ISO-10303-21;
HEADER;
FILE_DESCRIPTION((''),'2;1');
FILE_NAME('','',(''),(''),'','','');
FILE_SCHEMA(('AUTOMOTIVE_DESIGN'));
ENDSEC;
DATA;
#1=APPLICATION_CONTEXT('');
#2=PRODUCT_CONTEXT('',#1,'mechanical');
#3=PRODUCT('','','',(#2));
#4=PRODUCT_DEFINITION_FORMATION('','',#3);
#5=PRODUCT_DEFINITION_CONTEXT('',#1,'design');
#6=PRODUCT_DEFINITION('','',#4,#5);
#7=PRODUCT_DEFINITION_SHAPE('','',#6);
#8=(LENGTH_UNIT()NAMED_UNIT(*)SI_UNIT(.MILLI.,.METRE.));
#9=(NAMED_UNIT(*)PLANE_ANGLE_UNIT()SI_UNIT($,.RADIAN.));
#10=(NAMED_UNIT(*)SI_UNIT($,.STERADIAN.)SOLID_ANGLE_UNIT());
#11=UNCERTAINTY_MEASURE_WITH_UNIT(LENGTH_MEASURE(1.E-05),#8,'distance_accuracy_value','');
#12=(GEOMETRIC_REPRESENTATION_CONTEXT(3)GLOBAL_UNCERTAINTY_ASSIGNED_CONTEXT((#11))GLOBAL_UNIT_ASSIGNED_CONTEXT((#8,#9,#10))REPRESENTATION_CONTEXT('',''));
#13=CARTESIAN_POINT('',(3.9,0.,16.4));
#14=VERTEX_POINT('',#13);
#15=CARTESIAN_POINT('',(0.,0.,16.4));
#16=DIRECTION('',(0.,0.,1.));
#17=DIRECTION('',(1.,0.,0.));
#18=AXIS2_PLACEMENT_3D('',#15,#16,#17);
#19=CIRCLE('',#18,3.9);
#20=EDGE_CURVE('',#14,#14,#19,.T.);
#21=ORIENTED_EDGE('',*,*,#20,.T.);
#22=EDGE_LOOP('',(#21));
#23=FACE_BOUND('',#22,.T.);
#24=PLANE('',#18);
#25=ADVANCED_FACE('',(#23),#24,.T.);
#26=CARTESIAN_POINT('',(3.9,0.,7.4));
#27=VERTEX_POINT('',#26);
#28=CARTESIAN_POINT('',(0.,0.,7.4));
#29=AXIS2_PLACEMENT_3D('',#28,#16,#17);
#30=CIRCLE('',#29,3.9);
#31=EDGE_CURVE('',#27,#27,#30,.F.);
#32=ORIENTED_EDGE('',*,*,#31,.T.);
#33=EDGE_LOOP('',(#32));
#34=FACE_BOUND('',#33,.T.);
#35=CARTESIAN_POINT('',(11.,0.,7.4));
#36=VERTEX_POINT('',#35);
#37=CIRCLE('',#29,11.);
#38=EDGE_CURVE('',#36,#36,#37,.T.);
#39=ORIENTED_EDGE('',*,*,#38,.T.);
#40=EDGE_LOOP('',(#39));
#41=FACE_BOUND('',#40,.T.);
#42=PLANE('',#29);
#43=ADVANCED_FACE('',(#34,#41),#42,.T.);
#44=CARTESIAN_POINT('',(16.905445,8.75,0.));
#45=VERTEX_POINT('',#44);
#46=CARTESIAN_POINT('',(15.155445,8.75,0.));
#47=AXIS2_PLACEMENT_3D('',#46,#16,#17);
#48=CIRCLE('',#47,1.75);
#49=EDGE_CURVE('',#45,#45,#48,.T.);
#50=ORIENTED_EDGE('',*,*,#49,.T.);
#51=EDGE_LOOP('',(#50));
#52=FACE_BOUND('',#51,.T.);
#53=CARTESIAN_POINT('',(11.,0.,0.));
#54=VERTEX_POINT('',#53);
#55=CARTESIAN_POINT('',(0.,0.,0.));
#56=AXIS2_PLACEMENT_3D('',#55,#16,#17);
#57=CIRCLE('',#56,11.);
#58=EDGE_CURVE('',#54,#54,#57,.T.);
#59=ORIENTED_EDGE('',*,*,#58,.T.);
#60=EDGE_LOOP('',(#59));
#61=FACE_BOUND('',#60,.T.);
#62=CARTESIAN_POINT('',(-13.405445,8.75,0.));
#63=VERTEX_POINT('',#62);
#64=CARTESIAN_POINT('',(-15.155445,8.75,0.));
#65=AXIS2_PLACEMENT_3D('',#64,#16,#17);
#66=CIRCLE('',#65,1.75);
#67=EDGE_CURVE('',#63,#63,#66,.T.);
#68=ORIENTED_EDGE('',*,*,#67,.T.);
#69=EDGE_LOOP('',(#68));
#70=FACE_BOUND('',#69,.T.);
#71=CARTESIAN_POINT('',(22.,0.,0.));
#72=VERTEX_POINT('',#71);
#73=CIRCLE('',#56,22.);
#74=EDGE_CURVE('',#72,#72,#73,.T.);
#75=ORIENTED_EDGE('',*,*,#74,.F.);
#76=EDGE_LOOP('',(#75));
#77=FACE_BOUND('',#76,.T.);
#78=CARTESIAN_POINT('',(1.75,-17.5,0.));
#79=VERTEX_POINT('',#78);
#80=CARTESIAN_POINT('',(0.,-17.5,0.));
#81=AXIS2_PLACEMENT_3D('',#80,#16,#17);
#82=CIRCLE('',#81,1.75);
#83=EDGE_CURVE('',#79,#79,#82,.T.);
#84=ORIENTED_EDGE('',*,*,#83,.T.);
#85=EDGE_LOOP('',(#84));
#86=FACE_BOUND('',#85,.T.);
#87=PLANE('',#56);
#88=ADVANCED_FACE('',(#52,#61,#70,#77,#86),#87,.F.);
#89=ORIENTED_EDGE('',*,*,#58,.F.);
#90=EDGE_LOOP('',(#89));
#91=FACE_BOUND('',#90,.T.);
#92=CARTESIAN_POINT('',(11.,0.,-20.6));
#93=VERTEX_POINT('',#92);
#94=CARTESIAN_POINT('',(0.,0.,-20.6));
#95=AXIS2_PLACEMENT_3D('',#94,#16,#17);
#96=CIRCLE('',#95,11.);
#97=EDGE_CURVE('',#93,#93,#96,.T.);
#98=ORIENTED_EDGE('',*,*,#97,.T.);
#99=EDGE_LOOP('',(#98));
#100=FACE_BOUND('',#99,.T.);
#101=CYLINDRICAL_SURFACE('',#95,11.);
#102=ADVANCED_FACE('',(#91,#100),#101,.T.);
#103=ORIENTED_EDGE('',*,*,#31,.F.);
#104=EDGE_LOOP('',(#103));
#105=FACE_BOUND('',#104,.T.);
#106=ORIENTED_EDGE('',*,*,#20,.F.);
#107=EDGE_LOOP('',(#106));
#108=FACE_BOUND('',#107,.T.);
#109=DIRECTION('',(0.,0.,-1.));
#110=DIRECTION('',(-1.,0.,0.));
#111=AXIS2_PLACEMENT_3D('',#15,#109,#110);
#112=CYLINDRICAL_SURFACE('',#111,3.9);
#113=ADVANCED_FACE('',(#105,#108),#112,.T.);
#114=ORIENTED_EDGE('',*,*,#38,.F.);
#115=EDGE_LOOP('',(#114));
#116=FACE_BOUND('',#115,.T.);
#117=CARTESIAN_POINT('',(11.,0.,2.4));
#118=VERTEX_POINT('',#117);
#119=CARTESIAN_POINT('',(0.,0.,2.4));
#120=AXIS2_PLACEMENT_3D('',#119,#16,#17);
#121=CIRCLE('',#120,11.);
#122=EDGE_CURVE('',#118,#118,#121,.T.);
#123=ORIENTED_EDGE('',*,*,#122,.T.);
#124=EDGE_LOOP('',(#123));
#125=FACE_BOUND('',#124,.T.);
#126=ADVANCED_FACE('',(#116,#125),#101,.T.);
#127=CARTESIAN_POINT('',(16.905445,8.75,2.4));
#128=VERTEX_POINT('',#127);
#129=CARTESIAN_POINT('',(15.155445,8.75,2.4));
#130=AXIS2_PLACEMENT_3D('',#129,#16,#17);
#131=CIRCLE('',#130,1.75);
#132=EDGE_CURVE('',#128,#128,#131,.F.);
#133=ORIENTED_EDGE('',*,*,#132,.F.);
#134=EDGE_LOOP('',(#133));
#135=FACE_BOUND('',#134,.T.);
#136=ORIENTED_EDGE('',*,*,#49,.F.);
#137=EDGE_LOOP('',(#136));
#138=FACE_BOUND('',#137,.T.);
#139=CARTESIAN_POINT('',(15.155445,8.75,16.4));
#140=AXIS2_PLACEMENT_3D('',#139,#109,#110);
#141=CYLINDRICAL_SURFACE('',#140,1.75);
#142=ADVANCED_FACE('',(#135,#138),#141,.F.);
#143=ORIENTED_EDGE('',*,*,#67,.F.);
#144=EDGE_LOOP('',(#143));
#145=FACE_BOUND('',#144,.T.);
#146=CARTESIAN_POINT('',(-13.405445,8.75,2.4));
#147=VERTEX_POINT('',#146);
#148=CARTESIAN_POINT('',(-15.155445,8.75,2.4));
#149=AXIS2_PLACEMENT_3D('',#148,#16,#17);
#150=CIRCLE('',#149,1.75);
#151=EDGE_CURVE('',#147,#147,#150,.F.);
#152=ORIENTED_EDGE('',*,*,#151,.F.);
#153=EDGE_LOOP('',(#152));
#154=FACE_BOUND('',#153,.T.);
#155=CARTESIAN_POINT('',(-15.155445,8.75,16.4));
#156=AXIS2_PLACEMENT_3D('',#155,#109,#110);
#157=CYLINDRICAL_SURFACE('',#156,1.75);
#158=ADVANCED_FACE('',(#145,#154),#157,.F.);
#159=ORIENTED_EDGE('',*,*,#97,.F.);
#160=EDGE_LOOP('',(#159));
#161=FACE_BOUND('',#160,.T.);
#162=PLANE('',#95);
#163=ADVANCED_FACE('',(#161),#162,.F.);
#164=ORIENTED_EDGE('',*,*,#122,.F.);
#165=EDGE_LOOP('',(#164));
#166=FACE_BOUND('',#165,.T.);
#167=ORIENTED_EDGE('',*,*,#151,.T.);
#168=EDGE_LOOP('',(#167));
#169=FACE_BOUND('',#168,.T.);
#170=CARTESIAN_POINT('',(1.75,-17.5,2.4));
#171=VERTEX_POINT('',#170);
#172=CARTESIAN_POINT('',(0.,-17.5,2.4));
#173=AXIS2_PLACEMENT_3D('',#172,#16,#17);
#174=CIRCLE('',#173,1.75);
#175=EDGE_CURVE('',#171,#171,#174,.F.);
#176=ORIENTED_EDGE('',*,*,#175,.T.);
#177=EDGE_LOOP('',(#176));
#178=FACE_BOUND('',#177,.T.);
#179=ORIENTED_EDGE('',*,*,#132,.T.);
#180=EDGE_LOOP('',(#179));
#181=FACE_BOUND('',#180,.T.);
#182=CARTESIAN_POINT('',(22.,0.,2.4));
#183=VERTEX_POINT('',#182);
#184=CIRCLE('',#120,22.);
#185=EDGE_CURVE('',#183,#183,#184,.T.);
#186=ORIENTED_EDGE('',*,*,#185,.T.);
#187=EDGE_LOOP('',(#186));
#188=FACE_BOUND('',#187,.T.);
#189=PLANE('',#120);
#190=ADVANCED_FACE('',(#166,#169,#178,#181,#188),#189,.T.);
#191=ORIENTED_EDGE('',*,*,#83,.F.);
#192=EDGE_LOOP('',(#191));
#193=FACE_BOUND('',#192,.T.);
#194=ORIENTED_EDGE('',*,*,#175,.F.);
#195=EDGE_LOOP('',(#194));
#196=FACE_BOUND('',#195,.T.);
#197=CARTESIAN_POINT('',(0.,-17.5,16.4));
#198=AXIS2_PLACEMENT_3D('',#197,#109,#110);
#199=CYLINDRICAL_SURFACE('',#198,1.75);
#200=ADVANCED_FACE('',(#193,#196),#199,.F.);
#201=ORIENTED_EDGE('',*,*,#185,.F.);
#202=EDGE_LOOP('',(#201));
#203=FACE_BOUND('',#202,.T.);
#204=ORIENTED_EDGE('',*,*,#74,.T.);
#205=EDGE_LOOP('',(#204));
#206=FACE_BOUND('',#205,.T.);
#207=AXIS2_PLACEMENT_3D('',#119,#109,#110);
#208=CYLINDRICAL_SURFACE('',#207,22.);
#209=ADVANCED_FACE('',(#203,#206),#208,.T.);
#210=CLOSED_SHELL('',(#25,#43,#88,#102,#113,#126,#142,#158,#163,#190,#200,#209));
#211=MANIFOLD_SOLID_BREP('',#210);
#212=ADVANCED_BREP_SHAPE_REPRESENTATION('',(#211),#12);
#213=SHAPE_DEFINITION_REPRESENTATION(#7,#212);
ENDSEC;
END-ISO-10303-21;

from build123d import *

# Parameters (mm, degrees)
ESQUISSE1_R             = 22
BOSS_EXTRU_1_DEPTH      = 2.4
BOSS_EXTRU_2_DEPTH      = 7.4
BOSS_EXTRU_2_DEPTH_BACK = 20.6
ESQUISSE1_3_R           = 11
ESQUISSE1_4_R           = 3.9
BOSS_EXTRU_3_DEPTH      = 16.4
ESQUISSE1_5_R           = 1.75
ENL_V_MAT_EXTRU_1_DEPTH = 38.314340407


with BuildPart() as part:
    # Esquisse1 → Boss.-Extru.1 (new body)
    with BuildSketch(Plane.XY):
        Circle(ESQUISSE1_R)
    extrude(amount=BOSS_EXTRU_1_DEPTH)

    # Esquisse1_3 → Boss.-Extru.2 (add, two sides: drawn at the far end of the back side and taken through both)
    with BuildSketch(Plane.XY.offset(-BOSS_EXTRU_2_DEPTH_BACK)):
        Circle(ESQUISSE1_3_R)
    extrude(amount=BOSS_EXTRU_2_DEPTH + BOSS_EXTRU_2_DEPTH_BACK)

    # Esquisse1_4 → Boss.-Extru.3 (add)
    with BuildSketch(Plane.XY):
        Circle(ESQUISSE1_4_R)
    extrude(amount=BOSS_EXTRU_3_DEPTH)

    # Esquisse1_5 → Enl_v. mat.-Extru.1 (cut, through all)
    with BuildSketch(Plane.XY):
        with Locations((-15.155444566, 8.75)):
            Circle(ESQUISSE1_5_R)
        with Locations((15.155444566, 8.75)):
            Circle(ESQUISSE1_5_R)
        with Locations((0, -17.5)):
            Circle(ESQUISSE1_5_R)
    extrude(amount=ENL_V_MAT_EXTRU_1_DEPTH, mode=Mode.SUBTRACT)


solid = part.part
